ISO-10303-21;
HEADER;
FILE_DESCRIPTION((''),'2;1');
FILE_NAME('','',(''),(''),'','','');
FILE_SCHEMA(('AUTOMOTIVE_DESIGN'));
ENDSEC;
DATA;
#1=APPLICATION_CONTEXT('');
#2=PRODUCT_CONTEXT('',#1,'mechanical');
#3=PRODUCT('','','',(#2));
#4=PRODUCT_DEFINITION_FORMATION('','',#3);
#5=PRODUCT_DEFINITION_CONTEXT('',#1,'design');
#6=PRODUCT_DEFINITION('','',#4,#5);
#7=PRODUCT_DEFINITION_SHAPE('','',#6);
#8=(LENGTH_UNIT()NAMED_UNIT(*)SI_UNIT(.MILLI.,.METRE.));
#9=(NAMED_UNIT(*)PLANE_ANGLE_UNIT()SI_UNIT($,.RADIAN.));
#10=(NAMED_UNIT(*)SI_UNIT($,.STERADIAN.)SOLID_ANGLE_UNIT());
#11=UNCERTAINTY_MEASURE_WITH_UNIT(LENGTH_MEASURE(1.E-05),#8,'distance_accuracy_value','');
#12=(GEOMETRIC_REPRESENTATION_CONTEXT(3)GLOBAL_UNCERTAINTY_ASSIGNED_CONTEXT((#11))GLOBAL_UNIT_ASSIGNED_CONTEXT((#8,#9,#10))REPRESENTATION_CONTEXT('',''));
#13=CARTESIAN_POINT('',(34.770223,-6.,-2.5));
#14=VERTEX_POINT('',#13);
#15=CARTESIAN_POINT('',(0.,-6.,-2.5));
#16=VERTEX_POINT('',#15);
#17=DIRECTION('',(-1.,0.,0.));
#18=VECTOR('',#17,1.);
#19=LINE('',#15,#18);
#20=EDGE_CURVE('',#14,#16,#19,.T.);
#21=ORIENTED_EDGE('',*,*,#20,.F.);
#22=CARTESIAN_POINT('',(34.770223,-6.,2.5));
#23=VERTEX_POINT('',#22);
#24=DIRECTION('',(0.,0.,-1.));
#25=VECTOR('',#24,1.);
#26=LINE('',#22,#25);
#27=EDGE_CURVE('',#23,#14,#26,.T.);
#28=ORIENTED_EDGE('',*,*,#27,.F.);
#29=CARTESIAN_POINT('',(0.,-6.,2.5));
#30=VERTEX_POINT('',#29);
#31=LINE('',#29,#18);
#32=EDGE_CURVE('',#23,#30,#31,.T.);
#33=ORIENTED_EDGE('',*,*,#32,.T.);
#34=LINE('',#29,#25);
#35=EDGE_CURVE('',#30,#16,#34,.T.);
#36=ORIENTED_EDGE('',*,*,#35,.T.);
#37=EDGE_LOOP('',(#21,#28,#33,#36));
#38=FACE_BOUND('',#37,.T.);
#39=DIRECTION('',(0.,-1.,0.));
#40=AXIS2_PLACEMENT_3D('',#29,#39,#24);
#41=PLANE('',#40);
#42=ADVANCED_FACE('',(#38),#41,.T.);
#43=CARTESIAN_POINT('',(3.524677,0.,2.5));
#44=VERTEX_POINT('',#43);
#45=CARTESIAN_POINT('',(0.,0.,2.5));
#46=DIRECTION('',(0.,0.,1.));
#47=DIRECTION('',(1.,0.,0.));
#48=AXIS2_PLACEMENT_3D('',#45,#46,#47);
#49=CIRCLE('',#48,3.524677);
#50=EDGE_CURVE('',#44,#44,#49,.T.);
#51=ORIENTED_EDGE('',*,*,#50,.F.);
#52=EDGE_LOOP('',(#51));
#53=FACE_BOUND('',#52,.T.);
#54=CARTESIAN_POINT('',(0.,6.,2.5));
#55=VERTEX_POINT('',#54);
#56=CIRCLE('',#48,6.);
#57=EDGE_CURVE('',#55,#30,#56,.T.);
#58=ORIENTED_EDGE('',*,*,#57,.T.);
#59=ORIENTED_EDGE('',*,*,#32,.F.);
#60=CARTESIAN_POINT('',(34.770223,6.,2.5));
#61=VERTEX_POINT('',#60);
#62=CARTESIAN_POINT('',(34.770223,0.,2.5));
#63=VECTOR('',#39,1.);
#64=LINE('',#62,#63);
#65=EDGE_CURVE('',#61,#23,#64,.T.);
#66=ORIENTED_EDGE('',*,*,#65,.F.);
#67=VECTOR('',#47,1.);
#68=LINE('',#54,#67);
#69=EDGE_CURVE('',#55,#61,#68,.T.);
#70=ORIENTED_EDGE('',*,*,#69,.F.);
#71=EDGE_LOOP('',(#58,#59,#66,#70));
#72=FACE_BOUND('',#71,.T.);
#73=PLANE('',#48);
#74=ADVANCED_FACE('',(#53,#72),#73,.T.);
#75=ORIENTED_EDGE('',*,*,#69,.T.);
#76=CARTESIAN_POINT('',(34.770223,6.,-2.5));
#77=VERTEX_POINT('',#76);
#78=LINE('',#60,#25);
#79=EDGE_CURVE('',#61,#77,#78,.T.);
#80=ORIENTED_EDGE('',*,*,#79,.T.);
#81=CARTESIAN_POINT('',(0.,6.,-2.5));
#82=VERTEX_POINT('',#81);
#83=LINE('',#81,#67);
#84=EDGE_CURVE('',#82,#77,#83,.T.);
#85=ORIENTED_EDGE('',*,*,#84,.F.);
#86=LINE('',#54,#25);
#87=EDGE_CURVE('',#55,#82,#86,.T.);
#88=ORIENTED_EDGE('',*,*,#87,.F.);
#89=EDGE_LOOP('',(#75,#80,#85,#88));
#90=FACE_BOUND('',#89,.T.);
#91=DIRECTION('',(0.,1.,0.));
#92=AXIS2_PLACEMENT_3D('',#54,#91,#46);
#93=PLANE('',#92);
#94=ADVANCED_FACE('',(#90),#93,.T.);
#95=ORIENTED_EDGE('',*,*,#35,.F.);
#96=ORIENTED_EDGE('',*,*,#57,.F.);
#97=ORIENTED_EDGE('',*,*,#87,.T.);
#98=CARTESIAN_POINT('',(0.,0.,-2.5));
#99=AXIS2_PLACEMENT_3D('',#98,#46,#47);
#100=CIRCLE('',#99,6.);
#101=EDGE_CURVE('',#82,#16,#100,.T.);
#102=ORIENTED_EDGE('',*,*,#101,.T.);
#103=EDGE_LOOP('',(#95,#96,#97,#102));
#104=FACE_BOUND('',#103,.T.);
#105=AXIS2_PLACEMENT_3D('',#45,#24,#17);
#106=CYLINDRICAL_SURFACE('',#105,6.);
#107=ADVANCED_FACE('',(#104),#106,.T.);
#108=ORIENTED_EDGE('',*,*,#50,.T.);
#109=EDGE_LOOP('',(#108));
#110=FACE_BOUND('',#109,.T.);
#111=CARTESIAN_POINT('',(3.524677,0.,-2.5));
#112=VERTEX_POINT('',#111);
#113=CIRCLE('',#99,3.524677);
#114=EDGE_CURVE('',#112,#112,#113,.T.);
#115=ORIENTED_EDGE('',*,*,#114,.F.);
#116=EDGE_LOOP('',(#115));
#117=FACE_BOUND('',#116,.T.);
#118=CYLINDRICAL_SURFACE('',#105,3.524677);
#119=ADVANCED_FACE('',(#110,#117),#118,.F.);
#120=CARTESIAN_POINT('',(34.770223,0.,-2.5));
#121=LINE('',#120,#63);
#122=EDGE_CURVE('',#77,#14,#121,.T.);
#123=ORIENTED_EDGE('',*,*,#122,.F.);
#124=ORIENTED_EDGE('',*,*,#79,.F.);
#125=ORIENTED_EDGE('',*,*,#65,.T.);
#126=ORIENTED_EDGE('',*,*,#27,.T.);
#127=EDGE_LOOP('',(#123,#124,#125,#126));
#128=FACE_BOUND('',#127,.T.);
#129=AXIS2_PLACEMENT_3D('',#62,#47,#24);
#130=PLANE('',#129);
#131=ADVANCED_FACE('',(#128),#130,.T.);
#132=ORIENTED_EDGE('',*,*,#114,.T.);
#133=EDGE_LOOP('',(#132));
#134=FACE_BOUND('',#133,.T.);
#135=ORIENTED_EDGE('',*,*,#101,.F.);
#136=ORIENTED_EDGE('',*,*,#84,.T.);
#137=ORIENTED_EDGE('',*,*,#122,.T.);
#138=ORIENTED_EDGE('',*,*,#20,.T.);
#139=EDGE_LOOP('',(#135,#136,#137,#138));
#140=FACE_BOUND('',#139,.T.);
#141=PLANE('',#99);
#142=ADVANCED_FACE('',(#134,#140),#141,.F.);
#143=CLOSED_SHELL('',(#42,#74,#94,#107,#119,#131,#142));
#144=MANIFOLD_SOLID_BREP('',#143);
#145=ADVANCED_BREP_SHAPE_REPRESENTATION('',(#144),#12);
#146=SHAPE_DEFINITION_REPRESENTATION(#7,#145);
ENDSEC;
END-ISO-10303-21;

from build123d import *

# Parameters (mm, degrees)
SKETCH_1_R      = 3.524676545
EXTRUDE_1_DEPTH = 2.5


with BuildPart() as part:
    # 草图1 → 凸台-拉伸1 (new, symmetric)
    with BuildSketch(Plane.XY):
        with BuildLine():
            Line((0, 6), (34.770223243, 6))
            Line((34.770223243, 6), (34.770223243, -6))
            Line((34.770223243, -6), (0, -6))
            ThreePointArc((0, -6), (-6, 0), (0, 6))
        make_face()
        Circle(SKETCH_1_R, mode=Mode.SUBTRACT)
    extrude(amount=EXTRUDE_1_DEPTH, both=True)


solid = part.part
